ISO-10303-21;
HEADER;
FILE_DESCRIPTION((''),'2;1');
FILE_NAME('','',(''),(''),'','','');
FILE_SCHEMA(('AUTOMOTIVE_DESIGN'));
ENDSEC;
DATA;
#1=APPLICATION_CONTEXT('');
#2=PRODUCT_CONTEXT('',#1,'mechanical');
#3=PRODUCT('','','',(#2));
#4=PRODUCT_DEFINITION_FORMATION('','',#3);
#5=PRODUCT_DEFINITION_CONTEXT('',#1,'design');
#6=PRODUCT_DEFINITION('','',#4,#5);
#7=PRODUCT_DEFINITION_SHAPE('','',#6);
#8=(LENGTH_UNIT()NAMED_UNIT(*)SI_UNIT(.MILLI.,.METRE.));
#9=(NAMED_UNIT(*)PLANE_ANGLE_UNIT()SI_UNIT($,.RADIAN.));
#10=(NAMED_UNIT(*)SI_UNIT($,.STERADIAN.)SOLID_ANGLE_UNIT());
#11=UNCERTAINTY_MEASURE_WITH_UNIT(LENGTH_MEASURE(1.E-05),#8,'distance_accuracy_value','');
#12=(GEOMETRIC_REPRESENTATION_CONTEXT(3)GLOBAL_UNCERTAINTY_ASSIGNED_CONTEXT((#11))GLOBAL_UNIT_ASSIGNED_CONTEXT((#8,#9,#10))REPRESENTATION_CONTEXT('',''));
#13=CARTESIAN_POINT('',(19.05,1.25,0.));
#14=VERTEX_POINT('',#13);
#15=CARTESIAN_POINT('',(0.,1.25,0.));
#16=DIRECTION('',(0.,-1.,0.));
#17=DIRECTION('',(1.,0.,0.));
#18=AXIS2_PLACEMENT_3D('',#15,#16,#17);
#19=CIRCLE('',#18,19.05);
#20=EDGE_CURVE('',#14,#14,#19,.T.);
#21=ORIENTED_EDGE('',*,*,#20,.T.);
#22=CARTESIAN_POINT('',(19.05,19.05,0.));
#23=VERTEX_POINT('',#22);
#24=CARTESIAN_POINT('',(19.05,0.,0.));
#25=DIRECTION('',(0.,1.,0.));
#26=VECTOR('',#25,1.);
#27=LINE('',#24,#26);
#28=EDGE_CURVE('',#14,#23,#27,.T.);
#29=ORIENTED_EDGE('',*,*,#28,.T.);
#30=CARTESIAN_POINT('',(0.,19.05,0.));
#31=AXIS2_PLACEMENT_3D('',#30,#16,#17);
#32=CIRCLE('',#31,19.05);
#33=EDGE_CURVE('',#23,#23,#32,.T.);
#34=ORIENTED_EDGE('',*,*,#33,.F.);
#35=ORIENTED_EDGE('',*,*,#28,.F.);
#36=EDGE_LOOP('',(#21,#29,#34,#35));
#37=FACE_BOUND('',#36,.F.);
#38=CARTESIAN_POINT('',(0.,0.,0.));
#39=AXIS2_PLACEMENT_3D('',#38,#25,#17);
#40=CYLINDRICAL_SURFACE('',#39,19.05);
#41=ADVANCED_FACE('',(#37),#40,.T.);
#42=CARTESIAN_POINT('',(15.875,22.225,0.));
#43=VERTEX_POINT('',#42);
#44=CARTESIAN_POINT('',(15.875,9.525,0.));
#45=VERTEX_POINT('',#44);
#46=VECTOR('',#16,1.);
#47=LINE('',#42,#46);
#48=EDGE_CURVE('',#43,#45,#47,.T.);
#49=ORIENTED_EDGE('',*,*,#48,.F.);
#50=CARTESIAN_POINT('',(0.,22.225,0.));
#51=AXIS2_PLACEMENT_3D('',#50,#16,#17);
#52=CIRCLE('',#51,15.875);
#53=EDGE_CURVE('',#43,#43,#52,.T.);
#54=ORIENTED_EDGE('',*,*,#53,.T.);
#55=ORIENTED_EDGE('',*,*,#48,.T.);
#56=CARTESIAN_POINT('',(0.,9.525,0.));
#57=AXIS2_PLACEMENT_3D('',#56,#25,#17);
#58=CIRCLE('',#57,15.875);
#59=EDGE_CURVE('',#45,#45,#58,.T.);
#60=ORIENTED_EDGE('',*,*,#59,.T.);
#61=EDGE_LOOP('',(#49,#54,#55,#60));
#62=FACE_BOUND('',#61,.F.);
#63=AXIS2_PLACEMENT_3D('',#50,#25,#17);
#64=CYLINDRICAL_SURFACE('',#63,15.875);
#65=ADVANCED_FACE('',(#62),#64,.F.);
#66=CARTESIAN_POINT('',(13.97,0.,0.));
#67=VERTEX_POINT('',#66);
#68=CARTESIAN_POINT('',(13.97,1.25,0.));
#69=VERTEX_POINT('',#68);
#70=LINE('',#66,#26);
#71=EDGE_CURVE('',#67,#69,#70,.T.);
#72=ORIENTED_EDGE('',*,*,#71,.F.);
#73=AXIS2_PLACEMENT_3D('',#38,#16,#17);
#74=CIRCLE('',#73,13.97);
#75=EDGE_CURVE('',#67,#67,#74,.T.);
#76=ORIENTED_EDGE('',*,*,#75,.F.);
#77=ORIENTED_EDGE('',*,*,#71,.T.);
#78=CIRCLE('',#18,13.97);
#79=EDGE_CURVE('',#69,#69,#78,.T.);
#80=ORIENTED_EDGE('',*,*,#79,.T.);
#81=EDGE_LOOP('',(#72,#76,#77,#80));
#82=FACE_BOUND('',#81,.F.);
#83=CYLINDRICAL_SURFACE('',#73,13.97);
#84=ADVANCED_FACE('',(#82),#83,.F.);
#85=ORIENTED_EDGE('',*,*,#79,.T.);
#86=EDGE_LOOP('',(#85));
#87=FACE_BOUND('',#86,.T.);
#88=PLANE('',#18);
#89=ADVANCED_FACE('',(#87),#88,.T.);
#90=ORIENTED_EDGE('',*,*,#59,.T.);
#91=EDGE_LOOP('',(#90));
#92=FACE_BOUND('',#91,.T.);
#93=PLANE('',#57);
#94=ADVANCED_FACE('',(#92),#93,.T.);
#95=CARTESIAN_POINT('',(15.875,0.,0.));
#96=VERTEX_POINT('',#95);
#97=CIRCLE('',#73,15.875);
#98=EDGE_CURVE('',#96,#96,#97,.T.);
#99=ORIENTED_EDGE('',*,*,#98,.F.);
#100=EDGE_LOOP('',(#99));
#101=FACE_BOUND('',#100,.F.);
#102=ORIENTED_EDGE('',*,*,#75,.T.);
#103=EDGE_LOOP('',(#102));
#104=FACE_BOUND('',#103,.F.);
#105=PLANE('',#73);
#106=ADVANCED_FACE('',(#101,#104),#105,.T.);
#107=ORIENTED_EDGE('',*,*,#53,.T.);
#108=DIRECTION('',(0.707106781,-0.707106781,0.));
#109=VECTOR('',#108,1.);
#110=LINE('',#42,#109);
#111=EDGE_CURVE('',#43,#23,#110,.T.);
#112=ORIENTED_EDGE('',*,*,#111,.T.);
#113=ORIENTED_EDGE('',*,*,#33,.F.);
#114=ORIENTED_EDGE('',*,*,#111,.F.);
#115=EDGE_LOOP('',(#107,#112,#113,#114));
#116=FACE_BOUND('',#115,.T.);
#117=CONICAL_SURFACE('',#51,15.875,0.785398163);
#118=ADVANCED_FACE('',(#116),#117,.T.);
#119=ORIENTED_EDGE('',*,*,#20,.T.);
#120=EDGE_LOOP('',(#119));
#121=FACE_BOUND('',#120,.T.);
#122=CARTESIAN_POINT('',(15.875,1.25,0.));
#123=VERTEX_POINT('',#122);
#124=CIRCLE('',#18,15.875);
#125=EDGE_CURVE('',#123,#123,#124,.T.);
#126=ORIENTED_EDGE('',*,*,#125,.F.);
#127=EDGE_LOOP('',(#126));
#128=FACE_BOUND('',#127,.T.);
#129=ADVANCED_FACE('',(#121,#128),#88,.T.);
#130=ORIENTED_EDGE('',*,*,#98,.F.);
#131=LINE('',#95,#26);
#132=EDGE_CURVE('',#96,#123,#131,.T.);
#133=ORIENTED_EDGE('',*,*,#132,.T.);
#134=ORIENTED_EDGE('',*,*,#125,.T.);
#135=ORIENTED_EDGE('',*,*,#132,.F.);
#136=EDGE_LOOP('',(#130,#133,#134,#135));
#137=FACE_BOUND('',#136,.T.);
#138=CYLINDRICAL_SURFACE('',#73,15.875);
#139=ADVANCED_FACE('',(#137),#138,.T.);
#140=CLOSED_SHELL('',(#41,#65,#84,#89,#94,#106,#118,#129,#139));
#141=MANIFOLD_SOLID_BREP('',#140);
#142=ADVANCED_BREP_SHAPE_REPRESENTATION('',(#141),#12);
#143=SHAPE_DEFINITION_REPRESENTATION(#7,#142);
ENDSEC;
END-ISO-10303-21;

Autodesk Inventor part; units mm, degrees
ref_plane "YZ Plane" through (0, 0, 0) normal (1, 0, 0) x (0, 1, 0)
ref_plane "XZ Plane" through (0, 0, 0) normal (0, 1, 0) x (-1, 0, 0)
ref_plane "XY Plane" through (0, 0, 0) normal (0, 0, 1) x (1, 0, 0)
sketch "Sketch2" plane through (0, 0, 0) normal (0, 0, 1) x (1, 0, 0)
  line L0 (0, 0) -> (19.05, 0)
  line L1 (19.05, 0) -> (19.05, 19.05)
  line L2 (19.05, 19.05) -> (15.875, 19.05) construction
  line L3 (15.875, 19.05) -> (15.875, 22.225) construction
  line L4 (15.875, 22.225) -> (19.05, 19.05)
  line L5 (15.875, 22.225) -> (0, 22.225)
  line L6 (0, 22.225) -> (0, 0)
  dimension "d3" = 19.05
  dimension "d4" = 19.05
  dimension "d10" = 3.175
  dimension "d11" = 3.175
revolve "Revolution2" add sketch "Sketch2" angle 360 about axis through (0, 22.225, 0) along (0, -1, 0)
sketch "Sketch4" plane through (0, 22.225, 0) normal (0, 1, 0) x (1, 0, 0)
  circle A0 centre (0, 0) radius 15.875 projected
extrude "Extrusion3" cut sketch "Sketch4" against normal blind 12.7
sketch "Sketch6" plane through (0, 0, 0) normal (0, -1, 0) x (1, 0, 0)
  circle A0 centre (0, 0) radius 15.875
  circle A1 centre (0, 0) radius 13.97
  circle A2 centre (0, 0) radius 19.05 projected
  dimension "d48" = 27.94
extrude "Extrusion5" cut sketch "Sketch6" against normal blind 1.25
properties part number "base_1.0"
